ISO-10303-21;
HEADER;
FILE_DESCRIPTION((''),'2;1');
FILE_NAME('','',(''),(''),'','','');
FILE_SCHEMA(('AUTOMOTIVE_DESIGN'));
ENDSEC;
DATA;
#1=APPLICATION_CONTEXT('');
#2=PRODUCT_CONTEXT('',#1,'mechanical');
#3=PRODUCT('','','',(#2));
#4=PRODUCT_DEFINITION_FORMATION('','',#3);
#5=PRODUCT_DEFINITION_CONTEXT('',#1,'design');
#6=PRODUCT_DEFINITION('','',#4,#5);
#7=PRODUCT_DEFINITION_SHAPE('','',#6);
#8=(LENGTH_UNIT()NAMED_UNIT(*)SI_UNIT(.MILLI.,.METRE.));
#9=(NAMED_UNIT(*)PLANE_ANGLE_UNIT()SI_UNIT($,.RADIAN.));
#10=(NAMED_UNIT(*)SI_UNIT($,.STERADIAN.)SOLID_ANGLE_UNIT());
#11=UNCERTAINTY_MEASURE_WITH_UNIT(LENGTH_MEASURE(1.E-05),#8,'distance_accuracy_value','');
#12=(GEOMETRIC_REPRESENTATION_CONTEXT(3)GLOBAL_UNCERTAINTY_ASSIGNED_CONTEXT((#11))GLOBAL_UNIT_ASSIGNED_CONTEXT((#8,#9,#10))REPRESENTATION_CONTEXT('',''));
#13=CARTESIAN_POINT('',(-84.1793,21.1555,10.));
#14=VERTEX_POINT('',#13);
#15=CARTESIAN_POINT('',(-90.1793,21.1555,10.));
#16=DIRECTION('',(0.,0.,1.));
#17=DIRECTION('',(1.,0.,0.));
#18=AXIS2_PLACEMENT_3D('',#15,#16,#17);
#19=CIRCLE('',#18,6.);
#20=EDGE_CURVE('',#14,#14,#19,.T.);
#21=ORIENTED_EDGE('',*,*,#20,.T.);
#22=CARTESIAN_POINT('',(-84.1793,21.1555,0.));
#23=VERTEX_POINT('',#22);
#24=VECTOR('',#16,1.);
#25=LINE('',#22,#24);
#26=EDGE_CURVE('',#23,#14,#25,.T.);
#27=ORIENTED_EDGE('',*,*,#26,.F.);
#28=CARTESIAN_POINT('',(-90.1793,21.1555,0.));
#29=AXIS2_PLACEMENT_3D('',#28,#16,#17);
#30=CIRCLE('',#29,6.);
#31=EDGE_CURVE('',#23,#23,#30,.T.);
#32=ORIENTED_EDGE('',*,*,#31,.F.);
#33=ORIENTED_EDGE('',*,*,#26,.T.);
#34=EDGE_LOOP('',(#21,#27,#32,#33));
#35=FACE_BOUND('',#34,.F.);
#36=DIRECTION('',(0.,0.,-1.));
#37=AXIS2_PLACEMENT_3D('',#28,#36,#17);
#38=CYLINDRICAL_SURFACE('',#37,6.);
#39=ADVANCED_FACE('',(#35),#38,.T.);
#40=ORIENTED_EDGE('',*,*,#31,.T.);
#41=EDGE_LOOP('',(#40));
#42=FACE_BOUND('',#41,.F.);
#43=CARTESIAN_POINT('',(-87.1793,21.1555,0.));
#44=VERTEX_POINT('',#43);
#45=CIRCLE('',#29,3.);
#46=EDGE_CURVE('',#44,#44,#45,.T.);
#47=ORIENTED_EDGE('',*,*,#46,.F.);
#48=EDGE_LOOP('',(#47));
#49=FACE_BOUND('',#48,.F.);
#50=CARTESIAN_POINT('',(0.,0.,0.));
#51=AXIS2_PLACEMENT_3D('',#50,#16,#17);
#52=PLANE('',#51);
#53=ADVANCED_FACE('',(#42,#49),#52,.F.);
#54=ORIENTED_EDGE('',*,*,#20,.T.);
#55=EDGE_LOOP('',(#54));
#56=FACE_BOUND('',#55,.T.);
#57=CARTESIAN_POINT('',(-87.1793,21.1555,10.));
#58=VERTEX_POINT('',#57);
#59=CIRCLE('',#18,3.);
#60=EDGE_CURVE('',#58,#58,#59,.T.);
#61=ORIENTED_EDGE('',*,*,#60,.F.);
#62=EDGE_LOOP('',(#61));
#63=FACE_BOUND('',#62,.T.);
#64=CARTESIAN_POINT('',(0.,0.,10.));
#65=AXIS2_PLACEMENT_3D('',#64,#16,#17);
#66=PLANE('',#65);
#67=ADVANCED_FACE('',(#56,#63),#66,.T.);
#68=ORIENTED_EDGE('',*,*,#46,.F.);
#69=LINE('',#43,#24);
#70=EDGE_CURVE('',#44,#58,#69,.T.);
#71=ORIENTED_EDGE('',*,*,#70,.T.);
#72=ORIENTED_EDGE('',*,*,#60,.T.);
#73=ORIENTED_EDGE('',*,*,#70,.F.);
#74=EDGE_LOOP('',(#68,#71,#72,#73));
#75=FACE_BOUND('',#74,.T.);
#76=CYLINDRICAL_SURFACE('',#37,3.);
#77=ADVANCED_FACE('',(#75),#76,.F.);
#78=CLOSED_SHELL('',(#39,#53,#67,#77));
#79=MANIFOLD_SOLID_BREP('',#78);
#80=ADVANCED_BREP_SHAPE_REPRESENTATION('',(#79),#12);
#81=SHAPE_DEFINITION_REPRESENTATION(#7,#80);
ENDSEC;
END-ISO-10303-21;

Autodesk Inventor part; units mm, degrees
ref_plane "YZ Plane" through (0, 0, 0) normal (1, 0, 0) x (0, 1, 0)
ref_plane "XZ Plane" through (0, 0, 0) normal (0, 1, 0) x (-1, 0, 0)
ref_plane "Work Plane1" through (-100.1793, -14.2479, 10) normal (0, 0, -1) x (0, 1, 0)
sketch "Sketch1" plane through (0, 0, 0) normal (0, 0, 1) x (1, 0, 0)
  circle A0 centre (-90.1793, 21.1555) radius 2.5 projected
  circle A1 centre (-90.1793, 21.1555) radius 10 projected
  circle A2 centre (-90.1793, 21.1555) radius 3
  circle A3 centre (-90.1793, 21.1555) radius 6
  point P0 (0, 0)
  dimension "d0" = 0.5
  dimension "d1" = 3
extrude "Extrusion1" add sketch "Sketch1" along normal up to surface (10 mm away) contours A3
properties part number "plate_3_washers"
